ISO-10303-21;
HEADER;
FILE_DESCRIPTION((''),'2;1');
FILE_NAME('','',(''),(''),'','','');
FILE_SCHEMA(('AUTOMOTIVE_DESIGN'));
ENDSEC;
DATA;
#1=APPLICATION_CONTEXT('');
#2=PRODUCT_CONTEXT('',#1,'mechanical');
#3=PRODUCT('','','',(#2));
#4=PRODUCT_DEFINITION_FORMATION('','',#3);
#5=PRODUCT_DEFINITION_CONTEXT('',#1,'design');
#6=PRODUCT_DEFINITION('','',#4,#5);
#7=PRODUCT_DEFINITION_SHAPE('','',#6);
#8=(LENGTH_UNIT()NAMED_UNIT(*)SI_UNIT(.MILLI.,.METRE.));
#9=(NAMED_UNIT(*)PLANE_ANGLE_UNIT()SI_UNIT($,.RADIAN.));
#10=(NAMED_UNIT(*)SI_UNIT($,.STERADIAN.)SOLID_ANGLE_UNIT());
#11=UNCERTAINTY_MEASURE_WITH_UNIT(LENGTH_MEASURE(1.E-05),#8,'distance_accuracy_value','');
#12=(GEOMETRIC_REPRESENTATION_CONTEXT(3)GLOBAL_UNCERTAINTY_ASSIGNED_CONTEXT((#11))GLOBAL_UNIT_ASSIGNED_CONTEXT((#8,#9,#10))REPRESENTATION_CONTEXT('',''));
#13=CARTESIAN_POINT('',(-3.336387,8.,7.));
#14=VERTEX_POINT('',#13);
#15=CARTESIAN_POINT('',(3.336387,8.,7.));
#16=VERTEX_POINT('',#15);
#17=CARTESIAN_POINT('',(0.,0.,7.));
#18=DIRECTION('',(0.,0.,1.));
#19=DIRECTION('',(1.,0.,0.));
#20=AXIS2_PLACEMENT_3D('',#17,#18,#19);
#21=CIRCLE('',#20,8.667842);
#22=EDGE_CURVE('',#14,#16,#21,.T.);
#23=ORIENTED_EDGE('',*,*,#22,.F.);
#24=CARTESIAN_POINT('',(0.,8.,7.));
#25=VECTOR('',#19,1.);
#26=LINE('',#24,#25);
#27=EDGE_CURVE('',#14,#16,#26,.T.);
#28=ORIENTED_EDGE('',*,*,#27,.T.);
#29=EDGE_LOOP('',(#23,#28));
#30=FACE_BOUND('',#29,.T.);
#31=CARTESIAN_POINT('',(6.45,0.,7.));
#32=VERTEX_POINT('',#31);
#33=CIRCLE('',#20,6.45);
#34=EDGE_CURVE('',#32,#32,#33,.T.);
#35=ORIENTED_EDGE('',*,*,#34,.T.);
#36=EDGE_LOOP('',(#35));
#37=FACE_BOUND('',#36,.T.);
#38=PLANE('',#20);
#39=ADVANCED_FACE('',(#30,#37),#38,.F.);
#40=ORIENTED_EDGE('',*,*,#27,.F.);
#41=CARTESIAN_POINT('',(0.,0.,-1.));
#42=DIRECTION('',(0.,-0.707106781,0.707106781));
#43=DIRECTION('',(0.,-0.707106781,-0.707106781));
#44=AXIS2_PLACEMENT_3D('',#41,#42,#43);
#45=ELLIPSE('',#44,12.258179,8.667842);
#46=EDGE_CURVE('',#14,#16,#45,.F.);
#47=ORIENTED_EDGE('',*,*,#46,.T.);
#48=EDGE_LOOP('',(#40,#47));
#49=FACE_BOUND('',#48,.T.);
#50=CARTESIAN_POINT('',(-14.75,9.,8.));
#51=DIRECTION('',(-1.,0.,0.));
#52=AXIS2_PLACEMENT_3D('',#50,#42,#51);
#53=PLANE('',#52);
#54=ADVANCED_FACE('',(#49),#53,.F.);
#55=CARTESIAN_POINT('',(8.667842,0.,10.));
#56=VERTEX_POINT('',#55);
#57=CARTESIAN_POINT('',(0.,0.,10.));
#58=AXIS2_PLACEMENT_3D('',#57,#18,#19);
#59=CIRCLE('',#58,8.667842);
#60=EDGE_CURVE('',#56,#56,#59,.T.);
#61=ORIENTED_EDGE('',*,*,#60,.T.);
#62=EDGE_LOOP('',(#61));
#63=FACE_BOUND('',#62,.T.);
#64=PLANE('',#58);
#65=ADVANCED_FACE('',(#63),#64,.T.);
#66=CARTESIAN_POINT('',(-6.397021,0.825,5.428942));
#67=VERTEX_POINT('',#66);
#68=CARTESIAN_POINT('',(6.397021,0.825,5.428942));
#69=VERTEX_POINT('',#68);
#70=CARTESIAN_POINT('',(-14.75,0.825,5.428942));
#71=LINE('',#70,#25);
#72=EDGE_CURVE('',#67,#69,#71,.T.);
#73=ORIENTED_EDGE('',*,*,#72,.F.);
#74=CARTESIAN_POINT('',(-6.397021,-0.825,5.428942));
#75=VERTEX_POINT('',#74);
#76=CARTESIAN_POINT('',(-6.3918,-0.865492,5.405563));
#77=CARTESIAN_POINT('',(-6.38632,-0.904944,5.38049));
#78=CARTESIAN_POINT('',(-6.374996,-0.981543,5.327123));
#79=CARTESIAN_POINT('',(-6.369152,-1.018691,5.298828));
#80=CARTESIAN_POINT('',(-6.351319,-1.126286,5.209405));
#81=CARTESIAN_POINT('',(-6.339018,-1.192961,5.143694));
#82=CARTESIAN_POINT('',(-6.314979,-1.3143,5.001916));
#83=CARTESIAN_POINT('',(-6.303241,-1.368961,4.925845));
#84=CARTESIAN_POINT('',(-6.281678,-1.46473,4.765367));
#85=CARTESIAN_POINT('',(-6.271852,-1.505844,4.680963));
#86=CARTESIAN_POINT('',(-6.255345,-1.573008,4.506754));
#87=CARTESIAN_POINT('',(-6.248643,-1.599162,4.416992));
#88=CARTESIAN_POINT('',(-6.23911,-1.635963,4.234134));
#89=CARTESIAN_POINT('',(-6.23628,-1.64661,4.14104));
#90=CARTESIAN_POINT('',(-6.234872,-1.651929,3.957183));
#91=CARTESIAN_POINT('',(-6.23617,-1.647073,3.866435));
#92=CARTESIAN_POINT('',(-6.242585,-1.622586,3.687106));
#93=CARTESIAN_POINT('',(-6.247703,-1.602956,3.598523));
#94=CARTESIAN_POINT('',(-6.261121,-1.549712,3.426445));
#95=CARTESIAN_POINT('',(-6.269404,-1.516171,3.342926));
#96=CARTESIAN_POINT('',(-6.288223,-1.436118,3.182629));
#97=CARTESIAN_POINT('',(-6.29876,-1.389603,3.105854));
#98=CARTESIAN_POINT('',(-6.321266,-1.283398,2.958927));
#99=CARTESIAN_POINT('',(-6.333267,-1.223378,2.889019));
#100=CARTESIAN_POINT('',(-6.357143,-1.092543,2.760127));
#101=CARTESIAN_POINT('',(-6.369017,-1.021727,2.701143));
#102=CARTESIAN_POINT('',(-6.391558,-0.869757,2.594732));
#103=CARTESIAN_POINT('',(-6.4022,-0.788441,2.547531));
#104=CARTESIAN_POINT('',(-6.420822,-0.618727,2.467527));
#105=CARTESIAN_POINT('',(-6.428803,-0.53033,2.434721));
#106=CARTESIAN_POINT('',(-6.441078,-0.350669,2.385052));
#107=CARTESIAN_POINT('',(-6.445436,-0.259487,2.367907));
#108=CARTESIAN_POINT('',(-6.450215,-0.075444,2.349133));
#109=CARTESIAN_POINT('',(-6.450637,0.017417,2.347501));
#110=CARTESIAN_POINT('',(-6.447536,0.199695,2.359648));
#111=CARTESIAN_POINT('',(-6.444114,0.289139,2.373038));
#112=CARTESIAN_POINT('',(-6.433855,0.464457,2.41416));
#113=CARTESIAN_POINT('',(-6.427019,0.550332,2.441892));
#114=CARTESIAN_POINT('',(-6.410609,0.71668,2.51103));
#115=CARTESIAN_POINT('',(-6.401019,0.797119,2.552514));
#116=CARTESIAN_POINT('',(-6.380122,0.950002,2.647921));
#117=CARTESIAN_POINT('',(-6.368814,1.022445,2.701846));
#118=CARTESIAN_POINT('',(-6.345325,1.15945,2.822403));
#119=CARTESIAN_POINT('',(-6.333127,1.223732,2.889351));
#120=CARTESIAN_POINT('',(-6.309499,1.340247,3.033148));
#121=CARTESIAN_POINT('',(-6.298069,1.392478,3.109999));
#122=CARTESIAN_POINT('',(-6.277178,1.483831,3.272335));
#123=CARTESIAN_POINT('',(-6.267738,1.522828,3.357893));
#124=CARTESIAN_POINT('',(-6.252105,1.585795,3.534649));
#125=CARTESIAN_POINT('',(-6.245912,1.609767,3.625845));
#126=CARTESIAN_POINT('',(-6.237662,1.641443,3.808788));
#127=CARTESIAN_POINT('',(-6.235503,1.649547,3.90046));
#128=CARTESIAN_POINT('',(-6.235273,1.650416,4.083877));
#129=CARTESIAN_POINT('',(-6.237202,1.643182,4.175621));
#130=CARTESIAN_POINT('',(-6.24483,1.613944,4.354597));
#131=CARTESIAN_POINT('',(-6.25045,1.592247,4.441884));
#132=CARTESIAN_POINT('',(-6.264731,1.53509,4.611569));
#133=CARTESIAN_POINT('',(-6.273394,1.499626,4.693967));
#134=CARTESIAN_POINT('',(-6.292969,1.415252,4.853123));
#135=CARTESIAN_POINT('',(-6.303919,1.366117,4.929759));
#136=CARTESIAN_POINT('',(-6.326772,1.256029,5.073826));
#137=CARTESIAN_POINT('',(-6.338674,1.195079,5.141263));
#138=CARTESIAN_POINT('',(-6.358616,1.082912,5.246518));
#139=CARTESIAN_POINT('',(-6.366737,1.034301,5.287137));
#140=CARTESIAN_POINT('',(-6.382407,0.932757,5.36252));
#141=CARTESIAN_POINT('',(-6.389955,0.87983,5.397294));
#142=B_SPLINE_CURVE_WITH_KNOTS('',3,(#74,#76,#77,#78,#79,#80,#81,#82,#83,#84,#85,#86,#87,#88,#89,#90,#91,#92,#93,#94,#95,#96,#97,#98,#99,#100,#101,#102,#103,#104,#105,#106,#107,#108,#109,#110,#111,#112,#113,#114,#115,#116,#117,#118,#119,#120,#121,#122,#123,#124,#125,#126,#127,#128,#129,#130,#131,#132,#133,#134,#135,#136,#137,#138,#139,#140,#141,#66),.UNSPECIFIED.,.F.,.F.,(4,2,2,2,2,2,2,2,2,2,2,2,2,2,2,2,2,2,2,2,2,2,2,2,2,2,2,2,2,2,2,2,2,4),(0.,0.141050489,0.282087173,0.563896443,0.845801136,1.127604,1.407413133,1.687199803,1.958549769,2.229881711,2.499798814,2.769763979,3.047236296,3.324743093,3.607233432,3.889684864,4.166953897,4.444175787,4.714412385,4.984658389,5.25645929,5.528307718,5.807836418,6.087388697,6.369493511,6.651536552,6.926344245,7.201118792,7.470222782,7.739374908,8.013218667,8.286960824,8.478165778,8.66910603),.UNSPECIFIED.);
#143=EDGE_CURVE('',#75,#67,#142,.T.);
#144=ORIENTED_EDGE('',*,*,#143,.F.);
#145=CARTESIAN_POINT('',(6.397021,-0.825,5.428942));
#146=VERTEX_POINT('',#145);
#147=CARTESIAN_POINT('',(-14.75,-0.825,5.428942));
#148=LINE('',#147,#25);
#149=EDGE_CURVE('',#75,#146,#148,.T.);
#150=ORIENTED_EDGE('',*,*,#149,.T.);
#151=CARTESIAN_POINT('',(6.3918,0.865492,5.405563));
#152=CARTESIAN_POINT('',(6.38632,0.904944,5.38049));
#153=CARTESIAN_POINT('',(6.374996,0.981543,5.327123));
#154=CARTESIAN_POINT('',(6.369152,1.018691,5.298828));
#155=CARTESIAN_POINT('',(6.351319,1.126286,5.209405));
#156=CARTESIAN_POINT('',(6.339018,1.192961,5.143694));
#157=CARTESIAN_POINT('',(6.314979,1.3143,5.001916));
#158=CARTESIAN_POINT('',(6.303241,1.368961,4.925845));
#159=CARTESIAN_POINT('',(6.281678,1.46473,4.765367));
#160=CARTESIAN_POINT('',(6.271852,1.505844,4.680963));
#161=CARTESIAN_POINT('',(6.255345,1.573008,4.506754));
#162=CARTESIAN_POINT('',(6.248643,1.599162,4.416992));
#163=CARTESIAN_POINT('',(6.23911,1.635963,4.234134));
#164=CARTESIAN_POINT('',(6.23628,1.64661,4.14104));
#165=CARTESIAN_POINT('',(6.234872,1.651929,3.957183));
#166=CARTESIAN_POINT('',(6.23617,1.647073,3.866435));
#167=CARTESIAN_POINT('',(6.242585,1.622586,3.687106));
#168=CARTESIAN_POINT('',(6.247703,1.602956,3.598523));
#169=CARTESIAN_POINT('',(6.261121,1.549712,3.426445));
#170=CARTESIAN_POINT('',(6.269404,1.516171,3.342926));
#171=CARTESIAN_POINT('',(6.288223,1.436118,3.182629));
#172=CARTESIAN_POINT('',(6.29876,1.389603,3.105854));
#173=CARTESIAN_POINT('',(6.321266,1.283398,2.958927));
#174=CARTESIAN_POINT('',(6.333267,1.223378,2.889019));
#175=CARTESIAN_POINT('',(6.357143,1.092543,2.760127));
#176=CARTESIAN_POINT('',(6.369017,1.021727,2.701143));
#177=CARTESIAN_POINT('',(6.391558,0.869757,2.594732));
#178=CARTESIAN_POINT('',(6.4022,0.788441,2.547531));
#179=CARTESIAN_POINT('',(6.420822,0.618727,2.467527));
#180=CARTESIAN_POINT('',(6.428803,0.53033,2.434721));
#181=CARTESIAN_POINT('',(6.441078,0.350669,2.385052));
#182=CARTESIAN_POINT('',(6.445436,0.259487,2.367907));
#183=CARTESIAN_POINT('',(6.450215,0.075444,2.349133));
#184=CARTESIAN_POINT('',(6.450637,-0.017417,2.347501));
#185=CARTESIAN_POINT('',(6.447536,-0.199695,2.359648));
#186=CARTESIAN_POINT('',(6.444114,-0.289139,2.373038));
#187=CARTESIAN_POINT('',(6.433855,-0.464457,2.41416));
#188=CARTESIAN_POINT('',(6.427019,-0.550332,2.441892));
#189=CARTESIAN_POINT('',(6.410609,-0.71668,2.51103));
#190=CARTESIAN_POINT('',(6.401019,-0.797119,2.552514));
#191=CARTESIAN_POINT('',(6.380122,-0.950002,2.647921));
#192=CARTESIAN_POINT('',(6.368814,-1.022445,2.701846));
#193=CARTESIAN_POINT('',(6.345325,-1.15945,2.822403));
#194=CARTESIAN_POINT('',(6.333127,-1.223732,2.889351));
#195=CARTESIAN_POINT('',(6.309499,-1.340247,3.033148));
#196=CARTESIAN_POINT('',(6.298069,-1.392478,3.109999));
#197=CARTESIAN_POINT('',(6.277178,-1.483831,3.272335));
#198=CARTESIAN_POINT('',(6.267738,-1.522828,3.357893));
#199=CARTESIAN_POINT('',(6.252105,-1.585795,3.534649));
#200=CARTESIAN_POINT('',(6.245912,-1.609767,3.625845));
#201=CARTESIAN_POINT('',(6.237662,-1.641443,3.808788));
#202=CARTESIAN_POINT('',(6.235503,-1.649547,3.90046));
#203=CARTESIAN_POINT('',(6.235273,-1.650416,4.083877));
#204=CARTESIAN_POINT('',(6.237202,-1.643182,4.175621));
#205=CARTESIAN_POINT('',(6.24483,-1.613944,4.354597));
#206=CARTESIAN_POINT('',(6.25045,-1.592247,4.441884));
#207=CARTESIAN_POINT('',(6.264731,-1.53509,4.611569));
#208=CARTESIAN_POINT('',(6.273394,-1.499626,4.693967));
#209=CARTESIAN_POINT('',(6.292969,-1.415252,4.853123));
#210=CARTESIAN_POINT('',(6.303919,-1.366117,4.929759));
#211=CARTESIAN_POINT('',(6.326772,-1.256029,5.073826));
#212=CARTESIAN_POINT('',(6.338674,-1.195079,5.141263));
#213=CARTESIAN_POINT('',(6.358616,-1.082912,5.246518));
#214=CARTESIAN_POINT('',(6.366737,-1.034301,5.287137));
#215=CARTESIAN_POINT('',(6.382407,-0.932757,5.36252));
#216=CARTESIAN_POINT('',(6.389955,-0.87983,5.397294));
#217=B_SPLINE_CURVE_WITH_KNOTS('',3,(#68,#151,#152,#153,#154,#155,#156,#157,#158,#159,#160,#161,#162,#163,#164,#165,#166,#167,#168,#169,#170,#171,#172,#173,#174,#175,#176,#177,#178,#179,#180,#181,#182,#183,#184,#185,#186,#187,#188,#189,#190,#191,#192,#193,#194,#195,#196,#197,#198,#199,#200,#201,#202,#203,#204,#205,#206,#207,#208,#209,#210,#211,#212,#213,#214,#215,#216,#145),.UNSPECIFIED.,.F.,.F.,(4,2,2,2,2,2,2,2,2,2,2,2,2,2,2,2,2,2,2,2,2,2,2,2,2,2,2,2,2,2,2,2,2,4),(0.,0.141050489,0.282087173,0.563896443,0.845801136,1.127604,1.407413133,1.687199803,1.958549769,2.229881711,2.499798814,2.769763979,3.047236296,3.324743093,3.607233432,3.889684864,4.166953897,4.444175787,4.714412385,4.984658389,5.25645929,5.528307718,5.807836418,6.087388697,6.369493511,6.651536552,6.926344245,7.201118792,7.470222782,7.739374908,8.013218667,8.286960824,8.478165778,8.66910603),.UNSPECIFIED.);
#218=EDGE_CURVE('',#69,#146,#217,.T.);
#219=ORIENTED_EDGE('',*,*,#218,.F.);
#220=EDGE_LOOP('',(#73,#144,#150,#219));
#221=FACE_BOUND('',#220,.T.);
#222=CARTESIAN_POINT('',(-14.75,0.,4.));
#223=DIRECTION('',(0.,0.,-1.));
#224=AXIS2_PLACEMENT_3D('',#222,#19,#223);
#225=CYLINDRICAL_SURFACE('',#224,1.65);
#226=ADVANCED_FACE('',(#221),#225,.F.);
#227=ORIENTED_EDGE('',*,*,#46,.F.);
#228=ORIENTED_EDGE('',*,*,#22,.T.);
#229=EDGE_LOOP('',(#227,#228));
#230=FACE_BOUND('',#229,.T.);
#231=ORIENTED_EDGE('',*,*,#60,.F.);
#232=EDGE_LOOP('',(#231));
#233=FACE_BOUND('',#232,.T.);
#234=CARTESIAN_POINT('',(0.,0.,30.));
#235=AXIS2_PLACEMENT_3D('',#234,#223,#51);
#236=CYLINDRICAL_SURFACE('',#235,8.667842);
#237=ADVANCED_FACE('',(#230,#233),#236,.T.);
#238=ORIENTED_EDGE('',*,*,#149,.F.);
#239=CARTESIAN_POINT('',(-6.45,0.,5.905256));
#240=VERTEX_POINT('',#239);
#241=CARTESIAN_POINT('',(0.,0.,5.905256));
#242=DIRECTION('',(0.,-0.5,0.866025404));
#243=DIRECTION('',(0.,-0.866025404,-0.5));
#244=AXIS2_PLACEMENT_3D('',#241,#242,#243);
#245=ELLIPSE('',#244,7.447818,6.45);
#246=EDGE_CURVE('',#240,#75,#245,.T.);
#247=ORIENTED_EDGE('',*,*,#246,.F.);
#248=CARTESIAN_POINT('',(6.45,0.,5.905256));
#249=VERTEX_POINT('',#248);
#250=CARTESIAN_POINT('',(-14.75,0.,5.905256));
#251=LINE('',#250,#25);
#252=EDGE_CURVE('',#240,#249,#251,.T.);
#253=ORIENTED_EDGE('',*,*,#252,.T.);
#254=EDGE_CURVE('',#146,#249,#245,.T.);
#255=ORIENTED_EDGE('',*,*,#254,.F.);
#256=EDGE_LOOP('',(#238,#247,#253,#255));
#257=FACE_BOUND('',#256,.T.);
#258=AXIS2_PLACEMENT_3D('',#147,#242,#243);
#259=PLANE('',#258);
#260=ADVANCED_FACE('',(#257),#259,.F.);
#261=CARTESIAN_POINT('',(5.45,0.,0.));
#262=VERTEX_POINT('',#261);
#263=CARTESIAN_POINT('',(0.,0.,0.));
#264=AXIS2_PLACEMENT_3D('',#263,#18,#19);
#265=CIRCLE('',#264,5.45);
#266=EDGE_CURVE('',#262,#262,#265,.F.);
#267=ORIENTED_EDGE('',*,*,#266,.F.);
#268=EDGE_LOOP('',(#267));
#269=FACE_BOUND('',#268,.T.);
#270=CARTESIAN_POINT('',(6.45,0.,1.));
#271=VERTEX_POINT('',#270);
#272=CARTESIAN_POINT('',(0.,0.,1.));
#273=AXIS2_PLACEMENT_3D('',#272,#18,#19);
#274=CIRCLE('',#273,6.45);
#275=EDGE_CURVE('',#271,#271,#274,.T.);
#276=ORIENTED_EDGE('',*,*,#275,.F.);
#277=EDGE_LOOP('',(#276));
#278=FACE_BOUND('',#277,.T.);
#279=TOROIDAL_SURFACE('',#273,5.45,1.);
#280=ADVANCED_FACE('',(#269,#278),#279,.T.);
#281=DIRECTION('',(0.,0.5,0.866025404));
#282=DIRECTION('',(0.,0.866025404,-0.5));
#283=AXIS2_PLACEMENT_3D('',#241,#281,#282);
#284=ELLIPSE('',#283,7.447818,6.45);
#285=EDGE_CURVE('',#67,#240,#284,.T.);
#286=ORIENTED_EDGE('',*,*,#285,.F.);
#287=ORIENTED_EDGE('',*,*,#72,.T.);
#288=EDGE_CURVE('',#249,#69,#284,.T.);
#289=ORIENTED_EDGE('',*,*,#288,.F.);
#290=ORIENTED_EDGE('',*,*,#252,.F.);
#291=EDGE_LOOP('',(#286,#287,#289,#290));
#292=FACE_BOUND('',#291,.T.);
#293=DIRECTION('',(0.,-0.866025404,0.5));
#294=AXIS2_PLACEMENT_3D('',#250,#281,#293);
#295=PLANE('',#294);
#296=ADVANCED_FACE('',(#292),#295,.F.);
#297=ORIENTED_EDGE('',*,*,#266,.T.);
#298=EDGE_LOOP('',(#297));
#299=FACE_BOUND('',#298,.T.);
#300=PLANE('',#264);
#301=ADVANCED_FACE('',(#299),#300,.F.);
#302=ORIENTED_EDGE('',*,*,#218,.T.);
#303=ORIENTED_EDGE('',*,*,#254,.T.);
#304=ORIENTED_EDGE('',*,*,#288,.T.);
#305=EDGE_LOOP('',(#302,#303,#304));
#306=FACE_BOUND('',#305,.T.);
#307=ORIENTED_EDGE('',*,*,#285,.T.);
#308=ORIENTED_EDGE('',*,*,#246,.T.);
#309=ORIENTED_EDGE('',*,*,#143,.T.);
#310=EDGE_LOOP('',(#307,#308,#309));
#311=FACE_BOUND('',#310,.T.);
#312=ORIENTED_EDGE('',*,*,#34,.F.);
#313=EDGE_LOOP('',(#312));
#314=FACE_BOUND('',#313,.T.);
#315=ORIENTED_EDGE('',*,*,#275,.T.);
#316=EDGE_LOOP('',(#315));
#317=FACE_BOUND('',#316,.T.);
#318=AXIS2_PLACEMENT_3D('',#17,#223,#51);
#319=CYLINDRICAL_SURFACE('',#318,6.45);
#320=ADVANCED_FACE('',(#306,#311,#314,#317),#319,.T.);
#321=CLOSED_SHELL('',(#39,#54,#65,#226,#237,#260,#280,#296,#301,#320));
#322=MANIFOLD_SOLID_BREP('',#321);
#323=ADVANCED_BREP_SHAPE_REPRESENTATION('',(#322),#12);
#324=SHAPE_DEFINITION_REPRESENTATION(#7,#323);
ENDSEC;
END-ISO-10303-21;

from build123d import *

# Parameters (mm, degrees)
SKETCH_1_R               = 6.45
EXTRUDE_1_DEPTH          = 7
SKETCH_2_W               = 29.5
SKETCH_2_H               = 18
EXTRUDE_2_DEPTH          = 3
EXTRUDE_START            = 14.75
SKETCH_3_R               = 1.65
EXTRUDE_3_DEPTH          = 5
EXTRUDE_START_2          = -14.75
SKETCH_3_2_R             = 1.65
EXTRUDE_4_DEPTH          = 5
EXTRUDE_5_DEPTH          = 10
FILLET_1_R               = 5
SKETCH_5_R               = 2.5
CUT_EXTRUDE_1_DEPTH      = 11
CHAMFER_1_SIZE           = 1
CHAMFER_2_SIZE           = 1
CUT_EXTRUDE_2_DEPTH      = 15.75
CUT_EXTRUDE_2_DEPTH_BACK = 15.75
FILLET_2_R               = 1
SKETCH_7_OUTSIDE_W       = 42.194
SKETCH_7_OUTSIDE_H       = 45.694
SKETCH_7_OUTSIDE_R       = 8.66784174
CUT_EXTRUDE_3_DEPTH      = 1
CUT_EXTRUDE_3_DEPTH_BACK = 31


with BuildPart() as part:
    # ｽｹｯﾁ1 → ﾎﾞｽ - 押し出し1 (new body)
    with BuildSketch(Plane.XY):
        Circle(SKETCH_1_R)
    extrude(amount=EXTRUDE_1_DEPTH)

    # ｽｹｯﾁ2 → ﾎﾞｽ - 押し出し2 (add)
    with BuildSketch(Plane.XY.offset(7)):
        Rectangle(SKETCH_2_W, SKETCH_2_H)
    extrude(amount=EXTRUDE_2_DEPTH)

    # ｽｹｯﾁ3 → ﾎﾞｽ - 押し出し3 (add)
    with BuildSketch(Plane(origin=(0, 0, 0), x_dir=(0, 0, -1), z_dir=(1, 0, 0)).offset(EXTRUDE_START)):
        with BuildLine():
            Line((-10, 9), (-23.333333333, 13.714045208))
            ThreePointArc((-23.333333333, 13.714045208), (-29.386897866, 11.398984601), (-28.069570429, 5.053135753))
            Line((-28.069570429, 5.053135753), (-10, -9))
            Line((-10, -9), (-10, 9))
        make_face()
        with Locations((-25, 9)):
            Circle(SKETCH_3_R, mode=Mode.SUBTRACT)
    extrude(amount=-EXTRUDE_3_DEPTH)

    # ｽｹｯﾁ3<2> → ﾎﾞｽ - 押し出し4 (add)
    with BuildSketch(Plane(origin=(0, 0, 0), x_dir=(0, 0, -1), z_dir=(1, 0, 0)).offset(EXTRUDE_START_2)):
        with BuildLine():
            Line((-10, 9), (-23.333333333, 13.714045208))
            ThreePointArc((-23.333333333, 13.714045208), (-29.386897866, 11.398984601), (-28.069570429, 5.053135753))
            Line((-28.069570429, 5.053135753), (-10, -9))
            Line((-10, -9), (-10, 9))
        make_face()
        with Locations((-25, 9)):
            Circle(SKETCH_3_2_R, mode=Mode.SUBTRACT)
    extrude(amount=EXTRUDE_4_DEPTH)

    # ｽｹｯﾁ4 → ﾎﾞｽ - 押し出し5 (add)
    with BuildSketch(Plane.XZ.offset(9)):
        Polygon((-14.75, 7), (14.75, 7), (14.75, 10), (9.75, 10), (-9.75, 10), (-14.75, 10), align=None)
    extrude(amount=EXTRUDE_5_DEPTH)

    # ﾌｨﾚｯﾄ1
    fillet_1_edges = [part.edges().sort_by_distance(p)[0] for p in [
        (-14.75, -19, 8.5),
        (14.75, -19, 8.5),
    ]]
    fillet(fillet_1_edges, radius=FILLET_1_R)

    # ｽｹｯﾁ5 → ｶｯﾄ - 押し出し1 (cut, through all)
    with BuildSketch(Plane.XY.offset(10)):
        with Locations((0, -14)):
            Circle(SKETCH_5_R)
        with Locations((-9.75, -14)):
            Circle(SKETCH_5_R)
        with Locations((9.75, -14)):
            Circle(SKETCH_5_R)
    extrude(amount=-CUT_EXTRUDE_1_DEPTH, mode=Mode.SUBTRACT)

    # 面取り1
    chamfer_1_edges = [part.edges().sort_by_distance(p)[0] for p in [
        (7.25, -14, 7),
        (7.25, -14, 10),
        (-12.25, -14, 7),
        (-12.25, -14, 10),
        (-2.5, -14, 7),
        (-2.5, -14, 10),
    ]]
    chamfer(chamfer_1_edges, length=CHAMFER_1_SIZE)

    # 面取り2
    chamfer_2_edges = [part.edges().sort_by_distance(p)[0] for p in [
        (-14.75, 9, 8.5),
        (0, 9, 7),
        (14.75, 9, 8.5),
        (-14.75, 11.357022604, 16.666666667),
        (-14.75, 11.398984601, 29.386897866),
        (-14.75, -1.973432123, 19.034785215),
        (14.75, 11.357022604, 16.666666667),
        (14.75, 11.398984601, 29.386897866),
        (14.75, -1.973432123, 19.034785215),
    ]]
    chamfer(chamfer_2_edges, length=CHAMFER_2_SIZE)

    # ｽｹｯﾁ6 → ｶｯﾄ - 押し出し2 (cut, two sides)
    with BuildSketch(Plane(origin=(0, 0, 0), x_dir=(0, 0, -1), z_dir=(1, 0, 0))) as cut_extrude_2_sk:
        with BuildLine():
            Line((-5.428941916, -0.825), (-5.905255888, 0))
            Line((-5.905255888, 0), (-5.428941916, 0.825))
            ThreePointArc((-5.428941916, 0.825), (-2.35, 0), (-5.428941916, -0.825))
        make_face()
    extrude(amount=CUT_EXTRUDE_2_DEPTH, mode=Mode.SUBTRACT)
    extrude(cut_extrude_2_sk.sketch, amount=-CUT_EXTRUDE_2_DEPTH_BACK, mode=Mode.SUBTRACT)

    # ﾌｨﾚｯﾄ2
    fillet_2_edges = [part.edges().sort_by_distance(p)[0] for p in [
        (-6.45, 0, 0),
    ]]
    fillet(fillet_2_edges, radius=FILLET_2_R)

    # ｽｹｯﾁ7 outside → ｶｯﾄ - 押し出し3 (cut, two sides)
    with BuildSketch(Plane(origin=(0, 0, 0), x_dir=(-1, 0, 0), z_dir=(0, 0, -1))) as cut_extrude_3_sk:
        with Locations((0, -2.5)):
            Rectangle(SKETCH_7_OUTSIDE_W, SKETCH_7_OUTSIDE_H)
        Circle(SKETCH_7_OUTSIDE_R, mode=Mode.SUBTRACT)
    extrude(amount=CUT_EXTRUDE_3_DEPTH, mode=Mode.SUBTRACT)
    extrude(cut_extrude_3_sk.sketch, amount=-CUT_EXTRUDE_3_DEPTH_BACK, mode=Mode.SUBTRACT)


solid = part.part
